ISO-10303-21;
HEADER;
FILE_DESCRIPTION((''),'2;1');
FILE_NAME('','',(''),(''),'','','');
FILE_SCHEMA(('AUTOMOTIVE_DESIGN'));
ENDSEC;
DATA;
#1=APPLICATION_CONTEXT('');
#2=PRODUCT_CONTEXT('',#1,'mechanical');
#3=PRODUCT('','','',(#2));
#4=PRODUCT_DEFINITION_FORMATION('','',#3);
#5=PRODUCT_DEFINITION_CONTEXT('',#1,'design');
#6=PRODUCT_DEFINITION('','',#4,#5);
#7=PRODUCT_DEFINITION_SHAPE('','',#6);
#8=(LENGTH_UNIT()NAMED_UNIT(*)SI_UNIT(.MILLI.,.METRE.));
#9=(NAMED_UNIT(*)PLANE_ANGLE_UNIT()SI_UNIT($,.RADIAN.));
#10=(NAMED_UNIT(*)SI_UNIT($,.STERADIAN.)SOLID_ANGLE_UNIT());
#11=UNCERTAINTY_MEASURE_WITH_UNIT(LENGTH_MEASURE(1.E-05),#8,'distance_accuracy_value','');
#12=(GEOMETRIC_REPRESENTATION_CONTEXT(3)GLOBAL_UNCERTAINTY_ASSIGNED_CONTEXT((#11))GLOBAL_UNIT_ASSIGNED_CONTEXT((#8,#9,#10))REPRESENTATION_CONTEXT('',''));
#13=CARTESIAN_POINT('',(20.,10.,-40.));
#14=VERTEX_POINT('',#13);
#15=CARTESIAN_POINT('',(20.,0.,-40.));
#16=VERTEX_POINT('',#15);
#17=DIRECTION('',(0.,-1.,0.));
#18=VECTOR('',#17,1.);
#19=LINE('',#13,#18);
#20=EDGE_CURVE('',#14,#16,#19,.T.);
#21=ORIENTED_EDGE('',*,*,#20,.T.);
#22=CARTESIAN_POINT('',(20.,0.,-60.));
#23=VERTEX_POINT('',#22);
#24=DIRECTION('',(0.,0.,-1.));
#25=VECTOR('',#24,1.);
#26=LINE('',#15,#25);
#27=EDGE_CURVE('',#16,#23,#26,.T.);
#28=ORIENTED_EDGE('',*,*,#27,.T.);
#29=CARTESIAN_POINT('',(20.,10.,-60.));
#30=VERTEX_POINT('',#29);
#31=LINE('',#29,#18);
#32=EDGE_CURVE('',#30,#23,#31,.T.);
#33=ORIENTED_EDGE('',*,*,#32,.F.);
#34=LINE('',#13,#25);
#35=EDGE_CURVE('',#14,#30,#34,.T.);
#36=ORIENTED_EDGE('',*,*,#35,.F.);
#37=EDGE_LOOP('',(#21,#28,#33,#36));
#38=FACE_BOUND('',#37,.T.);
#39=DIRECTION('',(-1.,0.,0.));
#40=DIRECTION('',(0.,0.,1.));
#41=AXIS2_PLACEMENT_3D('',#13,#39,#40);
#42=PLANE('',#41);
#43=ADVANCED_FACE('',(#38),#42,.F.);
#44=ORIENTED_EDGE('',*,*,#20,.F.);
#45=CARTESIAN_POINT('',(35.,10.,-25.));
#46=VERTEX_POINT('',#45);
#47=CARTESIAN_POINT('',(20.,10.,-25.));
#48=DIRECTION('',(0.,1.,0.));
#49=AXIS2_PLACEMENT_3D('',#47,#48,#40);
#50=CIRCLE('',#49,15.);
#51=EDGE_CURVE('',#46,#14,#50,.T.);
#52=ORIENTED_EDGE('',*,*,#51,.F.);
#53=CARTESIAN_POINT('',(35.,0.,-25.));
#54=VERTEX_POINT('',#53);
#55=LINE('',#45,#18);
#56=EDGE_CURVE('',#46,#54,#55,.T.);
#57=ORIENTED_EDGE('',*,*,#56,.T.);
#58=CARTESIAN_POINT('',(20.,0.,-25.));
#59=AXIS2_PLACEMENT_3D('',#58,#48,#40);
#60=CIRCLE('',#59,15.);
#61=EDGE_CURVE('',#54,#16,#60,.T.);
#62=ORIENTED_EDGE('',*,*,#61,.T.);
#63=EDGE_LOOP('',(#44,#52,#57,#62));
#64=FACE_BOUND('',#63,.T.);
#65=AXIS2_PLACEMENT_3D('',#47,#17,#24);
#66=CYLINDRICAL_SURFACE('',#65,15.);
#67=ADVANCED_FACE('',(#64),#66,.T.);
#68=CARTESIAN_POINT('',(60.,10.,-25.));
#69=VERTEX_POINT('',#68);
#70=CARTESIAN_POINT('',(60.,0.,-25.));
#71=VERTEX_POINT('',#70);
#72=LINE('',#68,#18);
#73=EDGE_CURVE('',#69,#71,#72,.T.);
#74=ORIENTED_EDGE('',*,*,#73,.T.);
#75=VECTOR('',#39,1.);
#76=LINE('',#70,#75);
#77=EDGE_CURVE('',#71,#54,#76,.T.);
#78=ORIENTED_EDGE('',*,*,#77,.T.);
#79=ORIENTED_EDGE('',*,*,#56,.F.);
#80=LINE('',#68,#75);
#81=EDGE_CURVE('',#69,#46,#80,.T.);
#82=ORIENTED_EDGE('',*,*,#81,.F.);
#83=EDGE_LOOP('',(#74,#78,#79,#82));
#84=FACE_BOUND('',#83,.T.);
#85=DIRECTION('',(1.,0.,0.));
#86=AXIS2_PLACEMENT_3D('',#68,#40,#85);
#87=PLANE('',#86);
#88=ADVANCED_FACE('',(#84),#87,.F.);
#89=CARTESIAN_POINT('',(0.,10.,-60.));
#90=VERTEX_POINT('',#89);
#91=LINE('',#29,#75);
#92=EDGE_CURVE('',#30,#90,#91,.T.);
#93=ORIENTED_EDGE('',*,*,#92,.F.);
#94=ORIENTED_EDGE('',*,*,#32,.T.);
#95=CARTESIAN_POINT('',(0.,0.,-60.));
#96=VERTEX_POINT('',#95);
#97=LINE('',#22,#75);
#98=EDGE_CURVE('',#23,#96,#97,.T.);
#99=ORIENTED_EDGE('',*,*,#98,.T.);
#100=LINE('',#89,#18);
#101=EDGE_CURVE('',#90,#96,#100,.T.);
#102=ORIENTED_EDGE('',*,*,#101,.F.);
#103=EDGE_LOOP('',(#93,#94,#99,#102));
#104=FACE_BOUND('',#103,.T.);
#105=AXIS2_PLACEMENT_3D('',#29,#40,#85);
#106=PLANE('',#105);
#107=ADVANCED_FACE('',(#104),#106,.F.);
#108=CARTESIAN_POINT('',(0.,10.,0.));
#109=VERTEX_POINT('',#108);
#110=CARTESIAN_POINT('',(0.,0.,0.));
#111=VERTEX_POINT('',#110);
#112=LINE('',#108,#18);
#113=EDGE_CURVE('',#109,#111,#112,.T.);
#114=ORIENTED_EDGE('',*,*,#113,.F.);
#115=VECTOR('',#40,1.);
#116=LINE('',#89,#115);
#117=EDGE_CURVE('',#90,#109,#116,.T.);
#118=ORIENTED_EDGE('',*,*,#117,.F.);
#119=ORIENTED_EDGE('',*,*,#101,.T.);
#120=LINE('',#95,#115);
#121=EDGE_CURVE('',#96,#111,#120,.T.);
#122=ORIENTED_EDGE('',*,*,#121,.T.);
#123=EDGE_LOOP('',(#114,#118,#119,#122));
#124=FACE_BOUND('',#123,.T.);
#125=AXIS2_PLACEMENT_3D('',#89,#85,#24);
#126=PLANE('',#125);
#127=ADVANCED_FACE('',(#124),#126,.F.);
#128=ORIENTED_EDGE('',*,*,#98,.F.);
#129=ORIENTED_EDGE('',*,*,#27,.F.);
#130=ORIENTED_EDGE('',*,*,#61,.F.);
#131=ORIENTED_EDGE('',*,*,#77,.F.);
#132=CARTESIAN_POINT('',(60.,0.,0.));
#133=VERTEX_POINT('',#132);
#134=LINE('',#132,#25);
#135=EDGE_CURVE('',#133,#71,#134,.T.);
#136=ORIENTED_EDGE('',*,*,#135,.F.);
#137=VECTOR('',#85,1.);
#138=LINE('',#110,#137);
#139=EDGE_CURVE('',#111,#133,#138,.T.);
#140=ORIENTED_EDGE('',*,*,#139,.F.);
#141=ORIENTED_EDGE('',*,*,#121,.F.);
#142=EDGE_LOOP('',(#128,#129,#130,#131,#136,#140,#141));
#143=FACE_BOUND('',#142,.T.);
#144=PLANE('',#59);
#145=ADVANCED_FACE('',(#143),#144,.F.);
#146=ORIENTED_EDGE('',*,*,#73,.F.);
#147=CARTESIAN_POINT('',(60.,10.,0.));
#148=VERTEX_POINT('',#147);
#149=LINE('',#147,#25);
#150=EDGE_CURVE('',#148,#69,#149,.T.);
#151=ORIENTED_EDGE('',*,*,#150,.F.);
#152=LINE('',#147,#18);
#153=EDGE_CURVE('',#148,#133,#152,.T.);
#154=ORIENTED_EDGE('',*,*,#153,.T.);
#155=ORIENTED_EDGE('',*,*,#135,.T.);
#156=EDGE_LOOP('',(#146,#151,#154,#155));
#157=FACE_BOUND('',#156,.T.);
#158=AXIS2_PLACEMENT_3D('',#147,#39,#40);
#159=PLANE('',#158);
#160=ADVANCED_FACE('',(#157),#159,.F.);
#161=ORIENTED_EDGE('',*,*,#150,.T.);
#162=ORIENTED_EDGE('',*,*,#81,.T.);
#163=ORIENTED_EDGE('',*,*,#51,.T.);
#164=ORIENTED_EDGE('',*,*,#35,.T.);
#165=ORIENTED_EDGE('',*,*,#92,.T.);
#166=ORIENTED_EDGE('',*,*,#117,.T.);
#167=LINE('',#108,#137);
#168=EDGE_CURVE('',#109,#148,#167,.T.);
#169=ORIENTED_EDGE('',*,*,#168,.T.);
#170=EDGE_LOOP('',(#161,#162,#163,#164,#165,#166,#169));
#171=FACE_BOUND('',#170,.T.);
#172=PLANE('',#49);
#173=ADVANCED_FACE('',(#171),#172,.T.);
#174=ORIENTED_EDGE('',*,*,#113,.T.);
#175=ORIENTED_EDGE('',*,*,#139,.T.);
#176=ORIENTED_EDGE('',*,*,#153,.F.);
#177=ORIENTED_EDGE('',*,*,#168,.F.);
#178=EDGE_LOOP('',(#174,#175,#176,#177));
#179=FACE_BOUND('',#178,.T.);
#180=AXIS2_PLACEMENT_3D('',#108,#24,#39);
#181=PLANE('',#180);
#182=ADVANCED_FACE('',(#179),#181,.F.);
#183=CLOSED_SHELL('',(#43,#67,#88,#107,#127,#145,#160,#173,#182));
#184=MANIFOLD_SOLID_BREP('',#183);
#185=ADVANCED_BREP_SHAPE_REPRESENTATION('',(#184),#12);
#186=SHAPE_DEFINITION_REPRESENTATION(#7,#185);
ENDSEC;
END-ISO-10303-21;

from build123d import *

# Parameters (mm, degrees)
BOSS_EXTRUDE1_DEPTH = 10


with BuildPart() as part:
    # Sketch1 → Boss-Extrude1 (new body)
    with BuildSketch(Plane(origin=(0, 0, 0), x_dir=(1, 0, 0), z_dir=(0, 1, 0))):
        with BuildLine():
            Line((0, 0), (60, 0))
            Line((60, 0), (60, 25))
            Line((60, 25), (35, 25))
            ThreePointArc((35, 25), (30.606601718, 35.606601718), (20, 40))
            Line((20, 40), (20, 60))
            Line((20, 60), (0, 60))
            Line((0, 60), (0, 0))
        make_face()
    extrude(amount=BOSS_EXTRUDE1_DEPTH)


solid = part.part
